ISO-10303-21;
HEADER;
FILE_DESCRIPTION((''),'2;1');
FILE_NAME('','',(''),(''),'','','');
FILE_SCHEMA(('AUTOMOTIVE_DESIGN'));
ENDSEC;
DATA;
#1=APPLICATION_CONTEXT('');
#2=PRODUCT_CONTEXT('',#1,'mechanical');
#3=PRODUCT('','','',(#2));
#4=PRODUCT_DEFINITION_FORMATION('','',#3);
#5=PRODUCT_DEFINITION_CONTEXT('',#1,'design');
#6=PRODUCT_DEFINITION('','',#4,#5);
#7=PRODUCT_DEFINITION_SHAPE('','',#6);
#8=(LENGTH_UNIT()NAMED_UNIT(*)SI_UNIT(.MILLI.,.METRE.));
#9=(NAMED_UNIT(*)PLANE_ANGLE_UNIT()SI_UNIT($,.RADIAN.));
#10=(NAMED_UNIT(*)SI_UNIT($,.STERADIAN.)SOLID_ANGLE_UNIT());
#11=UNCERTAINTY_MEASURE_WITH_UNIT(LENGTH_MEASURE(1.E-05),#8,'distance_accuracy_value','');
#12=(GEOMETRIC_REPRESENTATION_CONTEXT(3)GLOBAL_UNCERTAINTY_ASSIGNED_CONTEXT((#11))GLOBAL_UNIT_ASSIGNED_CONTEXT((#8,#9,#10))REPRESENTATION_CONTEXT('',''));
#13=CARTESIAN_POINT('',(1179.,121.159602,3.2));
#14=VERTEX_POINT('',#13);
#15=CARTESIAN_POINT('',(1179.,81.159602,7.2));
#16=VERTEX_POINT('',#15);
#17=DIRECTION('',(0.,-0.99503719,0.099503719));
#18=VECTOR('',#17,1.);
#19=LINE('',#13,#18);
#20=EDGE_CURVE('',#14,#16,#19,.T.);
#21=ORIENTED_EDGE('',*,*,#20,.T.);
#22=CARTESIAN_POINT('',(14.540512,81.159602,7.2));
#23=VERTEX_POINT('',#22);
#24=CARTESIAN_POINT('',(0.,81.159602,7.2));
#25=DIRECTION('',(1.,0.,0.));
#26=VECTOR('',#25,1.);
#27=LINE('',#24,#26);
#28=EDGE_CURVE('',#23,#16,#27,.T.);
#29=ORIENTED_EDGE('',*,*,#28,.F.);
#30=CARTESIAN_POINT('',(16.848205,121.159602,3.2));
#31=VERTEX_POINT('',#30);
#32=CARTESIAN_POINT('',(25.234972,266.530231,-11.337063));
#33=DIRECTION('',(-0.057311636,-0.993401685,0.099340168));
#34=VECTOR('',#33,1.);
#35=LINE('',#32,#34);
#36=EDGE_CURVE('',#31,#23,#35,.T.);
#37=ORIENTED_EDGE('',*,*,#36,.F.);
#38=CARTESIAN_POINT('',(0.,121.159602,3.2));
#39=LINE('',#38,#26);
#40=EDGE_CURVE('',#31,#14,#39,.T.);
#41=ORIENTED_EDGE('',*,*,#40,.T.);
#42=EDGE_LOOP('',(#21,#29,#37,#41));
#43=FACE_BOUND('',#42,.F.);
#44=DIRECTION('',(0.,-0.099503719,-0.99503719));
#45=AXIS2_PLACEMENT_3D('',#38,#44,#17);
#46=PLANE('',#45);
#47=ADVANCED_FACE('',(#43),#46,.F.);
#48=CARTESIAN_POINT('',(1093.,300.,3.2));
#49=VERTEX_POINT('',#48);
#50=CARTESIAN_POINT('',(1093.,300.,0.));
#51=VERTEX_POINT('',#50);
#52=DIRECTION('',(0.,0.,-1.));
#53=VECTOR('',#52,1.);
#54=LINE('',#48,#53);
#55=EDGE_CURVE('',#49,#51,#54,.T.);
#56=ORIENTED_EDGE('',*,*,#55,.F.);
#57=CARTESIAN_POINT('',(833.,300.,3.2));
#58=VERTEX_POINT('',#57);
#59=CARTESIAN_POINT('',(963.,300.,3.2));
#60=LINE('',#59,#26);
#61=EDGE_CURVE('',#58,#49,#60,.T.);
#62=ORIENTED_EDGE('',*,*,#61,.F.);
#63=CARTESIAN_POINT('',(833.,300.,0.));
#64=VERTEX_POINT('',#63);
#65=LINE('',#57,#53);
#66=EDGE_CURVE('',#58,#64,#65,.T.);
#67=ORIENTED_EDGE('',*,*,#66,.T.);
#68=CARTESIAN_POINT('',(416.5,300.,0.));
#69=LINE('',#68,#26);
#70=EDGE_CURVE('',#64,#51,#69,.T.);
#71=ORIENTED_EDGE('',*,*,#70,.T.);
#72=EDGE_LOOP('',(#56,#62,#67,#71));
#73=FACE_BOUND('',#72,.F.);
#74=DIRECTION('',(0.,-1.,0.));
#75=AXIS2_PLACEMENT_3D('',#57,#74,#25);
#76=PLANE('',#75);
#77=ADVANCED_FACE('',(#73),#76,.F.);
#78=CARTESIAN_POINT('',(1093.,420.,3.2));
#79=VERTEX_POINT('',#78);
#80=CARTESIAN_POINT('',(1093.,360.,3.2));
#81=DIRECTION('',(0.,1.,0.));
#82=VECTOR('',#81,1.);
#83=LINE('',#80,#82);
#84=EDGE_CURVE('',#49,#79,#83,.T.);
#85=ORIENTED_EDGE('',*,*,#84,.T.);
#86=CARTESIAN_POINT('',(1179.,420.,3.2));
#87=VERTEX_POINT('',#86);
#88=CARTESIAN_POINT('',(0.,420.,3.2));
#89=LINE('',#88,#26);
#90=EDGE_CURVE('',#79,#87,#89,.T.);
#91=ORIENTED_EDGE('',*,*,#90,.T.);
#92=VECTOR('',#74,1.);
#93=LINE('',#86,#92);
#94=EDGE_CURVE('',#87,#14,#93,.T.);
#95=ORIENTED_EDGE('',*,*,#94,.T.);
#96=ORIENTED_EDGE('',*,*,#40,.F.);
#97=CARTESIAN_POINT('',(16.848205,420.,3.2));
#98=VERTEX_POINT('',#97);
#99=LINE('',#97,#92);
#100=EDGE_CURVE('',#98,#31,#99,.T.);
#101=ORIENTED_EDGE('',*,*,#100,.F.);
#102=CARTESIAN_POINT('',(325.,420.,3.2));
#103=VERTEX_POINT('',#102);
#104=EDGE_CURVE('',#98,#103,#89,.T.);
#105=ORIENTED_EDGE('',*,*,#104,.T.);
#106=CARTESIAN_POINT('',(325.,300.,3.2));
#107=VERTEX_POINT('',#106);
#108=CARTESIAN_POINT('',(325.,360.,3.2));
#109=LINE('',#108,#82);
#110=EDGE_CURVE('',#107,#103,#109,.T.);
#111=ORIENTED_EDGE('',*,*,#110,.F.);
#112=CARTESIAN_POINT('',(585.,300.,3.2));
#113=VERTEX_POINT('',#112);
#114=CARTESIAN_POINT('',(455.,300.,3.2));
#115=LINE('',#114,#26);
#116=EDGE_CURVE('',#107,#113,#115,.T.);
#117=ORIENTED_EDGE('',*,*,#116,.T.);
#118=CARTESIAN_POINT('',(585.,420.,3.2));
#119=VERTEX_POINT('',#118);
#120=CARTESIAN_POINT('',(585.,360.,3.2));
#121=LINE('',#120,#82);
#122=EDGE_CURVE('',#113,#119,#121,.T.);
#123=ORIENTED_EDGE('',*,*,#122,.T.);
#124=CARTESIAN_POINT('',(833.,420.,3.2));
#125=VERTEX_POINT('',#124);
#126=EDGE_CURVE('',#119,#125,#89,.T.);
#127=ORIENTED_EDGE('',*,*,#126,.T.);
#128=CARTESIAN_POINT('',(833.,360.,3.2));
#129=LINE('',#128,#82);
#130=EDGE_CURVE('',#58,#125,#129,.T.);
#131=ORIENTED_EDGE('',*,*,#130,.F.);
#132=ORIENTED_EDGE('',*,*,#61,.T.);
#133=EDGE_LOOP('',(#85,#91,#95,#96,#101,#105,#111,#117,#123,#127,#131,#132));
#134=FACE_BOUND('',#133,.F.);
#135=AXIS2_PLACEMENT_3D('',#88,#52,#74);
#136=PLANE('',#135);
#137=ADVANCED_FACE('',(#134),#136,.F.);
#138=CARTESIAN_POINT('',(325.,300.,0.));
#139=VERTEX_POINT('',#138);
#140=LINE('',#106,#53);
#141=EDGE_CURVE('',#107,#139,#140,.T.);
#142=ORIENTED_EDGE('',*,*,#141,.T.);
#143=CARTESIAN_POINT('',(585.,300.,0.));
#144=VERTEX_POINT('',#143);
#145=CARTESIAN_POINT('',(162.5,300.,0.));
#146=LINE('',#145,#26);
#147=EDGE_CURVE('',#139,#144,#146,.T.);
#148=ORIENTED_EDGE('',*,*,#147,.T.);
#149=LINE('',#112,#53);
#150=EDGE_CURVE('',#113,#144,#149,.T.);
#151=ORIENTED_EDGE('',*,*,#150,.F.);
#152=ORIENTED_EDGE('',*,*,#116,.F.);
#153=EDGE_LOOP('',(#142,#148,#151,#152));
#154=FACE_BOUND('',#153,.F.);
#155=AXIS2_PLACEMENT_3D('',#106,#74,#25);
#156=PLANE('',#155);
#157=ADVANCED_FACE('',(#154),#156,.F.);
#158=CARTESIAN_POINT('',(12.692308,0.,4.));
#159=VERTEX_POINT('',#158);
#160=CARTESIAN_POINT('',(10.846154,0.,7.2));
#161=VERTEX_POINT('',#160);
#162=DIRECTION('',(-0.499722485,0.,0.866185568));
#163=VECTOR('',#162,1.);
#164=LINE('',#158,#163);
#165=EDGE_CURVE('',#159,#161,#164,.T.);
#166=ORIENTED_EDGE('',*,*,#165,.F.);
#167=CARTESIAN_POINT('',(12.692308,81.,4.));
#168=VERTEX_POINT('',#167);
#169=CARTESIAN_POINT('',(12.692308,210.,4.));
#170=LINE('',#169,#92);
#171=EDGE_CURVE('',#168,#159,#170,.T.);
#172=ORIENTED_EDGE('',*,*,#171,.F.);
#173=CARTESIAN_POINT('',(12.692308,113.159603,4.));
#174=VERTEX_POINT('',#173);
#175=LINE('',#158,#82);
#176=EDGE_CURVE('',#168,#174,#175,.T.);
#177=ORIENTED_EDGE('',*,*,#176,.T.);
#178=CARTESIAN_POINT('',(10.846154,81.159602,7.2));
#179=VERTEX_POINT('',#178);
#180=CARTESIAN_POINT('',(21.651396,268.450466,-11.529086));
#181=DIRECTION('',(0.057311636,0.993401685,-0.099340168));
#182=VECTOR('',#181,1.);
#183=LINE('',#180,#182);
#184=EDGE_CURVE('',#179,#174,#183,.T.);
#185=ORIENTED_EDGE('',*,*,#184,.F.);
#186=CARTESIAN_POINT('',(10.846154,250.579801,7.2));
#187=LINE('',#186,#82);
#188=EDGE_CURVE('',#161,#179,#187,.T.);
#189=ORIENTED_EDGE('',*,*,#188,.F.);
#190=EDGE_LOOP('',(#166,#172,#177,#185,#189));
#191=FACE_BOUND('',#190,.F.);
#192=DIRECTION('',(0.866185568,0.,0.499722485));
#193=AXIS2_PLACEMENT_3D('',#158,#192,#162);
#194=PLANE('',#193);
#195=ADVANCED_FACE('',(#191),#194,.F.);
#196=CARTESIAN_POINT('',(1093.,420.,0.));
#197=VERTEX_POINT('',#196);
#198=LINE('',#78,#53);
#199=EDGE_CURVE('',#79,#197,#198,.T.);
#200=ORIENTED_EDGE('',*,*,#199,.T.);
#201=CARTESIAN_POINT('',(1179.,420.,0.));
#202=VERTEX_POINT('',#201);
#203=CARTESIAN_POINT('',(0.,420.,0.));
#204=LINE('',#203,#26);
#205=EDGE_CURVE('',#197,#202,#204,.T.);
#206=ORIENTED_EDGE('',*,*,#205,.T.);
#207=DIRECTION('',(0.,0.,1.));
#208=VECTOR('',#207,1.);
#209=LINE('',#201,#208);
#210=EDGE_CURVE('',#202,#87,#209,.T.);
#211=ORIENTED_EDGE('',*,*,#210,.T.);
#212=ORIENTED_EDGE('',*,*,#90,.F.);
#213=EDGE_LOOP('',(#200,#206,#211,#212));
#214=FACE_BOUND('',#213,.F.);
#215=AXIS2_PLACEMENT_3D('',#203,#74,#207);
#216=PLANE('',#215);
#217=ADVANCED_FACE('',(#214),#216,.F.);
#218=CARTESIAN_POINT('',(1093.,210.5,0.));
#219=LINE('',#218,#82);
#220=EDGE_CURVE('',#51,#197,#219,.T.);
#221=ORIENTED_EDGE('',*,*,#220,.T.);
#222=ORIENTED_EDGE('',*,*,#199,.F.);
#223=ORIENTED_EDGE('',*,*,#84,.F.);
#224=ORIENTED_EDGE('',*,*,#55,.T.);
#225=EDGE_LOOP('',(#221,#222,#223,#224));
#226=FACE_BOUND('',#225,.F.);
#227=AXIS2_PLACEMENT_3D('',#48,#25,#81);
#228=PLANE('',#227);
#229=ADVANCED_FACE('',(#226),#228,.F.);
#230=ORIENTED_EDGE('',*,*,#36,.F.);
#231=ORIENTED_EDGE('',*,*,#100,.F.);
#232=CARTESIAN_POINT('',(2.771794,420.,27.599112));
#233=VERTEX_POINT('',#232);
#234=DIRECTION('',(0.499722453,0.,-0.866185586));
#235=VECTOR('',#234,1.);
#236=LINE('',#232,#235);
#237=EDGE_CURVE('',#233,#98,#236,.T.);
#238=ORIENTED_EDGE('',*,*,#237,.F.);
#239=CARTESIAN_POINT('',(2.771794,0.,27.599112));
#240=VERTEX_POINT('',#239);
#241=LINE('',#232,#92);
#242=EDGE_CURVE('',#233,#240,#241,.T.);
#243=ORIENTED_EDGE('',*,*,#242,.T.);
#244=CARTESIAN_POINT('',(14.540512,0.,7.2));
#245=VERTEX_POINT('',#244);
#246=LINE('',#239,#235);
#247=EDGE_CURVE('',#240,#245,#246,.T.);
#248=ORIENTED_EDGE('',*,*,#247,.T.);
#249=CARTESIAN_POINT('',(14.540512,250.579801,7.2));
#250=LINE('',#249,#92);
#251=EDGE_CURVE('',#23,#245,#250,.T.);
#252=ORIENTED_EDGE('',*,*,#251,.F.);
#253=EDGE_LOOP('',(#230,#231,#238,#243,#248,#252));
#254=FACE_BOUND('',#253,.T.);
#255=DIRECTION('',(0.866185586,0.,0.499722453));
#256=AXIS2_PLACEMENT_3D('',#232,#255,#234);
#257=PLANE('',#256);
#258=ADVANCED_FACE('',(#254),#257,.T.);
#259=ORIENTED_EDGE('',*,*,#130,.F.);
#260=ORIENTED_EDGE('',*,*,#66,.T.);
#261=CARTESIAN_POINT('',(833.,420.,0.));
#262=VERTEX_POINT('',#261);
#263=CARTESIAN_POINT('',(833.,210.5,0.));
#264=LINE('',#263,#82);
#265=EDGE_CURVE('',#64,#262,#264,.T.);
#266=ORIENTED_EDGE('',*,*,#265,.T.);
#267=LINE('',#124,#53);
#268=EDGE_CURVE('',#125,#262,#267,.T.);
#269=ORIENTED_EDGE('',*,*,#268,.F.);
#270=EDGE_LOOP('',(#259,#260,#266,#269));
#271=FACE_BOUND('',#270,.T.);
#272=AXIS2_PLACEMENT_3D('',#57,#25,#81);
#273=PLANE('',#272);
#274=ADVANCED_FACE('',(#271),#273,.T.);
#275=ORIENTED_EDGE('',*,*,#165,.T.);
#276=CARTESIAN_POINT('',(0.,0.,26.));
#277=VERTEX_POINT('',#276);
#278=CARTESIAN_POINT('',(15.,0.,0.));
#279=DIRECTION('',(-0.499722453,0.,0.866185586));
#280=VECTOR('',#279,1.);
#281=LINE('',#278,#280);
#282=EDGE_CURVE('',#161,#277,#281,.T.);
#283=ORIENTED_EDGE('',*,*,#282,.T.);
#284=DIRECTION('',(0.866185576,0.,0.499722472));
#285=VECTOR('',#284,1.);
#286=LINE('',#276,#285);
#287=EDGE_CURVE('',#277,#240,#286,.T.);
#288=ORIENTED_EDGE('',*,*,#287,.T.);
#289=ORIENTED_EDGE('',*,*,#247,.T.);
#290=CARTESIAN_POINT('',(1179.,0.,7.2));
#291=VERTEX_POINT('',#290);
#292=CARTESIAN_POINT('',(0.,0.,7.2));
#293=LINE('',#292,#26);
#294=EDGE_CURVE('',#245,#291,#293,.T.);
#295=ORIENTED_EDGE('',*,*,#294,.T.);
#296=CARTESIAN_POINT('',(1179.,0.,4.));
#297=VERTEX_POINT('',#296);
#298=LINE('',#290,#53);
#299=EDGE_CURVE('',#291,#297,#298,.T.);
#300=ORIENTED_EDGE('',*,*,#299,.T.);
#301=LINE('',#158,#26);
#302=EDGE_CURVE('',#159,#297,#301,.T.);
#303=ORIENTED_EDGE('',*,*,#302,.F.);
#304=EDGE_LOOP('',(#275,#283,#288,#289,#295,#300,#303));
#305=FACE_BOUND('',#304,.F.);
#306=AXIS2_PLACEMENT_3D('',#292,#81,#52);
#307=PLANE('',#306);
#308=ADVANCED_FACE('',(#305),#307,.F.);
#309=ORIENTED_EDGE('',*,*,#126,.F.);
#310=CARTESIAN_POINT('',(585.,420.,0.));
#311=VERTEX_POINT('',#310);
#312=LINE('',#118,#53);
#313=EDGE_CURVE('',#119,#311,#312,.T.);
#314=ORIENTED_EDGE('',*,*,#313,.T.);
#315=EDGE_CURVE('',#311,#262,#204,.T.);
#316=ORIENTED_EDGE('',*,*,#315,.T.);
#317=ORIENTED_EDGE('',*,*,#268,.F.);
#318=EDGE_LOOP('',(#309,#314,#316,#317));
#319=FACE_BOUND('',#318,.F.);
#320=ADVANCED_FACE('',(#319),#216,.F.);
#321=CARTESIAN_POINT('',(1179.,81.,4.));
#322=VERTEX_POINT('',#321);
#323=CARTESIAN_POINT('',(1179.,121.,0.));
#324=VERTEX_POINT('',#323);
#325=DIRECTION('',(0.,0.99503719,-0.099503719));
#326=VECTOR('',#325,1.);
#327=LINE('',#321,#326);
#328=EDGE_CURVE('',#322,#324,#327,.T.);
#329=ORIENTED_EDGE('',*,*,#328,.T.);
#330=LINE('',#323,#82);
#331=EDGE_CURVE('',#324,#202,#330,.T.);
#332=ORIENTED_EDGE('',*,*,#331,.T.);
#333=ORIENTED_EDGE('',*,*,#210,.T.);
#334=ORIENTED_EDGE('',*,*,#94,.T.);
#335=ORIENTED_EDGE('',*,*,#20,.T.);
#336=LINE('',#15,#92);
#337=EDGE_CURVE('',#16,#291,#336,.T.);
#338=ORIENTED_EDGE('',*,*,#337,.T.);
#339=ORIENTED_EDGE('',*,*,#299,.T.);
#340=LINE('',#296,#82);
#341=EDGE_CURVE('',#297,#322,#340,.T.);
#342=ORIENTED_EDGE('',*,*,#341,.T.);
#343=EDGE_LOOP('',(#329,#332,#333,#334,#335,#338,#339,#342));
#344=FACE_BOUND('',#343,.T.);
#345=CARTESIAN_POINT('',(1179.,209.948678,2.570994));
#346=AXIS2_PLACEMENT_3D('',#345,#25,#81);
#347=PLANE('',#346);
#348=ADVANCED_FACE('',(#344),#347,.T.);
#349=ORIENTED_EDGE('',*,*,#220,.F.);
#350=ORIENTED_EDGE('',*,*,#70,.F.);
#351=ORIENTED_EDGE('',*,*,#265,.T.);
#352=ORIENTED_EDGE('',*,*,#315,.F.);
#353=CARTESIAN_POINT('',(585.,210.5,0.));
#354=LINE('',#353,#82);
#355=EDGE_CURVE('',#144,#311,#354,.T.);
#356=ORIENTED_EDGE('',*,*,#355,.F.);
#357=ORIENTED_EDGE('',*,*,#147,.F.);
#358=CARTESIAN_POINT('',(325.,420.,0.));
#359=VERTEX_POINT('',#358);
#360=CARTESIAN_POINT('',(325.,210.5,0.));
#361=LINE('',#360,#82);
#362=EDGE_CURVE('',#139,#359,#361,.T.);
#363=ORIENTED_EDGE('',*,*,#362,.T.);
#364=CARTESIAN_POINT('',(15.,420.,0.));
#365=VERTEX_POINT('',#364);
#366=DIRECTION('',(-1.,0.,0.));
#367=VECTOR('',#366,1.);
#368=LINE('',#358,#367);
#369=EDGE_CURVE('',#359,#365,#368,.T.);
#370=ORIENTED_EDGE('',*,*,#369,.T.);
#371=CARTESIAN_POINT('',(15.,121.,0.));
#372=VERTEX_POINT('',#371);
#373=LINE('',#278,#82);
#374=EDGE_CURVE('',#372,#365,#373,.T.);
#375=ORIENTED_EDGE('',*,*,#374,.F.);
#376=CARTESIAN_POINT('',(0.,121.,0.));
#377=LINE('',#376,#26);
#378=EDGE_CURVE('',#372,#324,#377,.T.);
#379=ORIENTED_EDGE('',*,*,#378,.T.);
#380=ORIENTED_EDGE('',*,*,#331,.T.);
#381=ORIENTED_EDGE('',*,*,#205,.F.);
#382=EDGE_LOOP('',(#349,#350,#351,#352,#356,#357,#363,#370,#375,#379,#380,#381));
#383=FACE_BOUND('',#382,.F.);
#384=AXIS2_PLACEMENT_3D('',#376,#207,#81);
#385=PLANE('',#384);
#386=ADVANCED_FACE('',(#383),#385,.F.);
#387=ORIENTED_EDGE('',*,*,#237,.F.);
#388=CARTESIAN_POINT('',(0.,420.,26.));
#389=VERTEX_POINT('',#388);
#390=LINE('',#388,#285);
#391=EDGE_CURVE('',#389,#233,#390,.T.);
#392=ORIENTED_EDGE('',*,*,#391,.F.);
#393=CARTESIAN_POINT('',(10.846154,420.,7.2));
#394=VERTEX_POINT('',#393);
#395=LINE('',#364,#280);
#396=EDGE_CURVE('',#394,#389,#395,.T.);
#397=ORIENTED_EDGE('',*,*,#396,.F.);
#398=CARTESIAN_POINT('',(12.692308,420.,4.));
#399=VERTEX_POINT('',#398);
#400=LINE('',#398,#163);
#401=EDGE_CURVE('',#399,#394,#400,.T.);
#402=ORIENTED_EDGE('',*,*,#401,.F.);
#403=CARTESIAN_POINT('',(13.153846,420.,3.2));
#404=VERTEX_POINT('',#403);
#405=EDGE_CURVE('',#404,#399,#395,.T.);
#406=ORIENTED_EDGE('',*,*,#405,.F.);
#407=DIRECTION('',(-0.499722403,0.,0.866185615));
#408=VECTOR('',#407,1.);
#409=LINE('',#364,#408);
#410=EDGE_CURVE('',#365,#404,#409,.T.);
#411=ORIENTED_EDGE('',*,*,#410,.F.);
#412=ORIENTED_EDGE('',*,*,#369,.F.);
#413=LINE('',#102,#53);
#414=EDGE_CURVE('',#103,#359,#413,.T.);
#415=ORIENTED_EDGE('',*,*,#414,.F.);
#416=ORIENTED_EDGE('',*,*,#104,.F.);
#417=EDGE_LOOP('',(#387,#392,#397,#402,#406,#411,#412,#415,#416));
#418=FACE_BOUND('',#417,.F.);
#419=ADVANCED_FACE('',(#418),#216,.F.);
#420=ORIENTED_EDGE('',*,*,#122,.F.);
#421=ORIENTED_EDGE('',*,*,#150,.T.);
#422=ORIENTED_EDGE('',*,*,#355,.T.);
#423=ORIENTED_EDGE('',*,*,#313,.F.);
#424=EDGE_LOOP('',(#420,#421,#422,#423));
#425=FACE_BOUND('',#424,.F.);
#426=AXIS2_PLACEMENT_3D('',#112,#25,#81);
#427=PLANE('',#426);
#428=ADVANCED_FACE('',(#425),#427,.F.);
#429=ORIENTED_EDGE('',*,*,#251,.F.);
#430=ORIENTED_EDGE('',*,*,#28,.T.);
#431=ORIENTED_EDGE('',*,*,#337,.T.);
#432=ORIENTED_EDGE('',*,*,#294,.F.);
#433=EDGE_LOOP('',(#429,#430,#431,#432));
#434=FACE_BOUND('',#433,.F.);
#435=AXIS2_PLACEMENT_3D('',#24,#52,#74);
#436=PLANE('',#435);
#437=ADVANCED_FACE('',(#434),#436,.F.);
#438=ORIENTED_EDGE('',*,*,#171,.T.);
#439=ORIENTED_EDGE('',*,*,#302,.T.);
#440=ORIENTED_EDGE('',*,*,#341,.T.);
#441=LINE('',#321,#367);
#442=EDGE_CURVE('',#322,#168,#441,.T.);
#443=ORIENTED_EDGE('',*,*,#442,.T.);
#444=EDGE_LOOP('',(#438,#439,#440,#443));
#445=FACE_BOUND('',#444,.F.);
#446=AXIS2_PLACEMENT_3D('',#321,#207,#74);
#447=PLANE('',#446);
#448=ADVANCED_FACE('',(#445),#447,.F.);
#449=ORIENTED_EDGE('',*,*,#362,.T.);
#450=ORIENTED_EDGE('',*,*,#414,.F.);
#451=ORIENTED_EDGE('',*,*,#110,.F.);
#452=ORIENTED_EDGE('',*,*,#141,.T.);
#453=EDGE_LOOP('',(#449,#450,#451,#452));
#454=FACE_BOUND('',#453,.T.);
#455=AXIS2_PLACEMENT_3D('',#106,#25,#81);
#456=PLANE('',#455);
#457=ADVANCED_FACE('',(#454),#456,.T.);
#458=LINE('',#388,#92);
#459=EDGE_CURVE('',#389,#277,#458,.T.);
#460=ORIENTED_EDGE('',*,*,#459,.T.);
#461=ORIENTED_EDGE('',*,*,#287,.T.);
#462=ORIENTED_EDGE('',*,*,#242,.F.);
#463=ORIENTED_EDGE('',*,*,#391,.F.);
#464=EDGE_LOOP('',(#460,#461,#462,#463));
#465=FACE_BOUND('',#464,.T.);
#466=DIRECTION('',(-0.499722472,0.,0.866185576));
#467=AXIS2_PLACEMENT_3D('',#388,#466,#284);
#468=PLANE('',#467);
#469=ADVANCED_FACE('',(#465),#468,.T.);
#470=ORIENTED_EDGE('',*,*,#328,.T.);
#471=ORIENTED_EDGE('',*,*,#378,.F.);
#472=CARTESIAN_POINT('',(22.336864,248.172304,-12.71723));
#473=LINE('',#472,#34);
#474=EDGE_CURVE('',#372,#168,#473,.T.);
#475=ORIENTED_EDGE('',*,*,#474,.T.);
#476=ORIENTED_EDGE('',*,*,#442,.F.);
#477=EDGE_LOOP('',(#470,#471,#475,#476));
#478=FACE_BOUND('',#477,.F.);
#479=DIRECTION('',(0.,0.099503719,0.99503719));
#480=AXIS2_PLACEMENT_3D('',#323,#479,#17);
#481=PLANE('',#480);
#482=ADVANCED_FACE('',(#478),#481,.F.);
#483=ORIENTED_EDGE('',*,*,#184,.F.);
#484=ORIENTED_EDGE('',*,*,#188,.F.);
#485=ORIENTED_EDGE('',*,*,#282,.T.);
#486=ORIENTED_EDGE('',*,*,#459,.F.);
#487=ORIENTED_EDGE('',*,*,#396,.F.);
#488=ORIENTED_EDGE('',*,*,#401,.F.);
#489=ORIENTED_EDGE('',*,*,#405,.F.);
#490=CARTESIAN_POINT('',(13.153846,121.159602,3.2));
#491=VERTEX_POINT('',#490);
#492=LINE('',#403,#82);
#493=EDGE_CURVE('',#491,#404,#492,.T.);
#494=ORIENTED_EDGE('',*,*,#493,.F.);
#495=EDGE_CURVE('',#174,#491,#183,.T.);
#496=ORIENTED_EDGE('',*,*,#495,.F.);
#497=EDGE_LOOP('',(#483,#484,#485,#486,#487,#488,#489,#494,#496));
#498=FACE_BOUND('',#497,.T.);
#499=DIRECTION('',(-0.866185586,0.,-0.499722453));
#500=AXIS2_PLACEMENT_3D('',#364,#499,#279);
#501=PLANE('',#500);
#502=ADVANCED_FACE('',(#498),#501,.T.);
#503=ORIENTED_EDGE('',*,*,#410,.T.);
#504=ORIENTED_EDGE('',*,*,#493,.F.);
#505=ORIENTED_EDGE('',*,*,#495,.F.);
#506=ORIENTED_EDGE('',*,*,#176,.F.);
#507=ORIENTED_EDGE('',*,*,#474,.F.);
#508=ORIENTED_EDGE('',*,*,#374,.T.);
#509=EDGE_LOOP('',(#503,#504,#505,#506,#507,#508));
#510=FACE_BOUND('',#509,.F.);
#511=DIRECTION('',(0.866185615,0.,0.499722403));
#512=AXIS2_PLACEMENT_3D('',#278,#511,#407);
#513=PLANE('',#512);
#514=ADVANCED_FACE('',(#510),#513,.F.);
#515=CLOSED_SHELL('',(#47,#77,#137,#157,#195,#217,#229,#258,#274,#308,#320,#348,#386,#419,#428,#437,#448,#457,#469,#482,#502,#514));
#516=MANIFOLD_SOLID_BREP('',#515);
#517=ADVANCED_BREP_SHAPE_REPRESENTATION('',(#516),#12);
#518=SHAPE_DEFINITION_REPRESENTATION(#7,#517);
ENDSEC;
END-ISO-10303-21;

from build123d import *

# Parameters (mm, degrees)
F1_DEPTH = 1179
F2_W     = 260
F2_H     = 120
F3_DEPTH = 25
F5_DEPTH = 420
F7_DEPTH = 420
F9_DEPTH = 1200


with BuildPart() as f1:
    # F0 (on Right) → F1 (new body)
    with BuildSketch(Plane.YZ):
        Polygon((81, 4), (121, 0), (420, 0), (420, 3.2), (121.159602, 3.2), (81.159602, 7.2), (0, 7.2), (0, 4), align=None)
    extrude(amount=F1_DEPTH)

    # F2 (on face) → F3 (cut)
    with BuildSketch(Plane.XY.offset(3.2)):
        with Locations((455, 360)):
            Rectangle(F2_W, F2_H)
        with Locations((963, 360)):
            Rectangle(F2_W, F2_H)
    extrude(amount=-F3_DEPTH, mode=Mode.SUBTRACT)

    # F4 (on face) → F5 (join)
    with BuildSketch(Plane(origin=(0, 420, 0), x_dir=(-1, 0, 0), z_dir=(0, 1, 0))):
        Polygon((-17.771794, 1.599112), (-15, 0), (0, 26), (-2.771794, 27.599112), align=None)
    extrude(amount=-F5_DEPTH)

    # F6 (on face) → F7 (cut)
    with BuildSketch(Plane.XZ):
        Polygon((15, 0), (12.692308, 4), (0, 4), (0, 0), align=None)
        Polygon((12.692308, 4), (10.846154, 7.2), (0, 7.2), (0, 4), align=None)
    extrude(amount=-F7_DEPTH, mode=Mode.SUBTRACT)

    # F8 (on face) → F9 (cut)
    with BuildSketch(Plane.YZ.offset(1179)):
        Polygon((81, 4), (0, 4), (0, 0), (121, 0), align=None)
    extrude(amount=-F9_DEPTH, mode=Mode.SUBTRACT)


solid = f1.part
